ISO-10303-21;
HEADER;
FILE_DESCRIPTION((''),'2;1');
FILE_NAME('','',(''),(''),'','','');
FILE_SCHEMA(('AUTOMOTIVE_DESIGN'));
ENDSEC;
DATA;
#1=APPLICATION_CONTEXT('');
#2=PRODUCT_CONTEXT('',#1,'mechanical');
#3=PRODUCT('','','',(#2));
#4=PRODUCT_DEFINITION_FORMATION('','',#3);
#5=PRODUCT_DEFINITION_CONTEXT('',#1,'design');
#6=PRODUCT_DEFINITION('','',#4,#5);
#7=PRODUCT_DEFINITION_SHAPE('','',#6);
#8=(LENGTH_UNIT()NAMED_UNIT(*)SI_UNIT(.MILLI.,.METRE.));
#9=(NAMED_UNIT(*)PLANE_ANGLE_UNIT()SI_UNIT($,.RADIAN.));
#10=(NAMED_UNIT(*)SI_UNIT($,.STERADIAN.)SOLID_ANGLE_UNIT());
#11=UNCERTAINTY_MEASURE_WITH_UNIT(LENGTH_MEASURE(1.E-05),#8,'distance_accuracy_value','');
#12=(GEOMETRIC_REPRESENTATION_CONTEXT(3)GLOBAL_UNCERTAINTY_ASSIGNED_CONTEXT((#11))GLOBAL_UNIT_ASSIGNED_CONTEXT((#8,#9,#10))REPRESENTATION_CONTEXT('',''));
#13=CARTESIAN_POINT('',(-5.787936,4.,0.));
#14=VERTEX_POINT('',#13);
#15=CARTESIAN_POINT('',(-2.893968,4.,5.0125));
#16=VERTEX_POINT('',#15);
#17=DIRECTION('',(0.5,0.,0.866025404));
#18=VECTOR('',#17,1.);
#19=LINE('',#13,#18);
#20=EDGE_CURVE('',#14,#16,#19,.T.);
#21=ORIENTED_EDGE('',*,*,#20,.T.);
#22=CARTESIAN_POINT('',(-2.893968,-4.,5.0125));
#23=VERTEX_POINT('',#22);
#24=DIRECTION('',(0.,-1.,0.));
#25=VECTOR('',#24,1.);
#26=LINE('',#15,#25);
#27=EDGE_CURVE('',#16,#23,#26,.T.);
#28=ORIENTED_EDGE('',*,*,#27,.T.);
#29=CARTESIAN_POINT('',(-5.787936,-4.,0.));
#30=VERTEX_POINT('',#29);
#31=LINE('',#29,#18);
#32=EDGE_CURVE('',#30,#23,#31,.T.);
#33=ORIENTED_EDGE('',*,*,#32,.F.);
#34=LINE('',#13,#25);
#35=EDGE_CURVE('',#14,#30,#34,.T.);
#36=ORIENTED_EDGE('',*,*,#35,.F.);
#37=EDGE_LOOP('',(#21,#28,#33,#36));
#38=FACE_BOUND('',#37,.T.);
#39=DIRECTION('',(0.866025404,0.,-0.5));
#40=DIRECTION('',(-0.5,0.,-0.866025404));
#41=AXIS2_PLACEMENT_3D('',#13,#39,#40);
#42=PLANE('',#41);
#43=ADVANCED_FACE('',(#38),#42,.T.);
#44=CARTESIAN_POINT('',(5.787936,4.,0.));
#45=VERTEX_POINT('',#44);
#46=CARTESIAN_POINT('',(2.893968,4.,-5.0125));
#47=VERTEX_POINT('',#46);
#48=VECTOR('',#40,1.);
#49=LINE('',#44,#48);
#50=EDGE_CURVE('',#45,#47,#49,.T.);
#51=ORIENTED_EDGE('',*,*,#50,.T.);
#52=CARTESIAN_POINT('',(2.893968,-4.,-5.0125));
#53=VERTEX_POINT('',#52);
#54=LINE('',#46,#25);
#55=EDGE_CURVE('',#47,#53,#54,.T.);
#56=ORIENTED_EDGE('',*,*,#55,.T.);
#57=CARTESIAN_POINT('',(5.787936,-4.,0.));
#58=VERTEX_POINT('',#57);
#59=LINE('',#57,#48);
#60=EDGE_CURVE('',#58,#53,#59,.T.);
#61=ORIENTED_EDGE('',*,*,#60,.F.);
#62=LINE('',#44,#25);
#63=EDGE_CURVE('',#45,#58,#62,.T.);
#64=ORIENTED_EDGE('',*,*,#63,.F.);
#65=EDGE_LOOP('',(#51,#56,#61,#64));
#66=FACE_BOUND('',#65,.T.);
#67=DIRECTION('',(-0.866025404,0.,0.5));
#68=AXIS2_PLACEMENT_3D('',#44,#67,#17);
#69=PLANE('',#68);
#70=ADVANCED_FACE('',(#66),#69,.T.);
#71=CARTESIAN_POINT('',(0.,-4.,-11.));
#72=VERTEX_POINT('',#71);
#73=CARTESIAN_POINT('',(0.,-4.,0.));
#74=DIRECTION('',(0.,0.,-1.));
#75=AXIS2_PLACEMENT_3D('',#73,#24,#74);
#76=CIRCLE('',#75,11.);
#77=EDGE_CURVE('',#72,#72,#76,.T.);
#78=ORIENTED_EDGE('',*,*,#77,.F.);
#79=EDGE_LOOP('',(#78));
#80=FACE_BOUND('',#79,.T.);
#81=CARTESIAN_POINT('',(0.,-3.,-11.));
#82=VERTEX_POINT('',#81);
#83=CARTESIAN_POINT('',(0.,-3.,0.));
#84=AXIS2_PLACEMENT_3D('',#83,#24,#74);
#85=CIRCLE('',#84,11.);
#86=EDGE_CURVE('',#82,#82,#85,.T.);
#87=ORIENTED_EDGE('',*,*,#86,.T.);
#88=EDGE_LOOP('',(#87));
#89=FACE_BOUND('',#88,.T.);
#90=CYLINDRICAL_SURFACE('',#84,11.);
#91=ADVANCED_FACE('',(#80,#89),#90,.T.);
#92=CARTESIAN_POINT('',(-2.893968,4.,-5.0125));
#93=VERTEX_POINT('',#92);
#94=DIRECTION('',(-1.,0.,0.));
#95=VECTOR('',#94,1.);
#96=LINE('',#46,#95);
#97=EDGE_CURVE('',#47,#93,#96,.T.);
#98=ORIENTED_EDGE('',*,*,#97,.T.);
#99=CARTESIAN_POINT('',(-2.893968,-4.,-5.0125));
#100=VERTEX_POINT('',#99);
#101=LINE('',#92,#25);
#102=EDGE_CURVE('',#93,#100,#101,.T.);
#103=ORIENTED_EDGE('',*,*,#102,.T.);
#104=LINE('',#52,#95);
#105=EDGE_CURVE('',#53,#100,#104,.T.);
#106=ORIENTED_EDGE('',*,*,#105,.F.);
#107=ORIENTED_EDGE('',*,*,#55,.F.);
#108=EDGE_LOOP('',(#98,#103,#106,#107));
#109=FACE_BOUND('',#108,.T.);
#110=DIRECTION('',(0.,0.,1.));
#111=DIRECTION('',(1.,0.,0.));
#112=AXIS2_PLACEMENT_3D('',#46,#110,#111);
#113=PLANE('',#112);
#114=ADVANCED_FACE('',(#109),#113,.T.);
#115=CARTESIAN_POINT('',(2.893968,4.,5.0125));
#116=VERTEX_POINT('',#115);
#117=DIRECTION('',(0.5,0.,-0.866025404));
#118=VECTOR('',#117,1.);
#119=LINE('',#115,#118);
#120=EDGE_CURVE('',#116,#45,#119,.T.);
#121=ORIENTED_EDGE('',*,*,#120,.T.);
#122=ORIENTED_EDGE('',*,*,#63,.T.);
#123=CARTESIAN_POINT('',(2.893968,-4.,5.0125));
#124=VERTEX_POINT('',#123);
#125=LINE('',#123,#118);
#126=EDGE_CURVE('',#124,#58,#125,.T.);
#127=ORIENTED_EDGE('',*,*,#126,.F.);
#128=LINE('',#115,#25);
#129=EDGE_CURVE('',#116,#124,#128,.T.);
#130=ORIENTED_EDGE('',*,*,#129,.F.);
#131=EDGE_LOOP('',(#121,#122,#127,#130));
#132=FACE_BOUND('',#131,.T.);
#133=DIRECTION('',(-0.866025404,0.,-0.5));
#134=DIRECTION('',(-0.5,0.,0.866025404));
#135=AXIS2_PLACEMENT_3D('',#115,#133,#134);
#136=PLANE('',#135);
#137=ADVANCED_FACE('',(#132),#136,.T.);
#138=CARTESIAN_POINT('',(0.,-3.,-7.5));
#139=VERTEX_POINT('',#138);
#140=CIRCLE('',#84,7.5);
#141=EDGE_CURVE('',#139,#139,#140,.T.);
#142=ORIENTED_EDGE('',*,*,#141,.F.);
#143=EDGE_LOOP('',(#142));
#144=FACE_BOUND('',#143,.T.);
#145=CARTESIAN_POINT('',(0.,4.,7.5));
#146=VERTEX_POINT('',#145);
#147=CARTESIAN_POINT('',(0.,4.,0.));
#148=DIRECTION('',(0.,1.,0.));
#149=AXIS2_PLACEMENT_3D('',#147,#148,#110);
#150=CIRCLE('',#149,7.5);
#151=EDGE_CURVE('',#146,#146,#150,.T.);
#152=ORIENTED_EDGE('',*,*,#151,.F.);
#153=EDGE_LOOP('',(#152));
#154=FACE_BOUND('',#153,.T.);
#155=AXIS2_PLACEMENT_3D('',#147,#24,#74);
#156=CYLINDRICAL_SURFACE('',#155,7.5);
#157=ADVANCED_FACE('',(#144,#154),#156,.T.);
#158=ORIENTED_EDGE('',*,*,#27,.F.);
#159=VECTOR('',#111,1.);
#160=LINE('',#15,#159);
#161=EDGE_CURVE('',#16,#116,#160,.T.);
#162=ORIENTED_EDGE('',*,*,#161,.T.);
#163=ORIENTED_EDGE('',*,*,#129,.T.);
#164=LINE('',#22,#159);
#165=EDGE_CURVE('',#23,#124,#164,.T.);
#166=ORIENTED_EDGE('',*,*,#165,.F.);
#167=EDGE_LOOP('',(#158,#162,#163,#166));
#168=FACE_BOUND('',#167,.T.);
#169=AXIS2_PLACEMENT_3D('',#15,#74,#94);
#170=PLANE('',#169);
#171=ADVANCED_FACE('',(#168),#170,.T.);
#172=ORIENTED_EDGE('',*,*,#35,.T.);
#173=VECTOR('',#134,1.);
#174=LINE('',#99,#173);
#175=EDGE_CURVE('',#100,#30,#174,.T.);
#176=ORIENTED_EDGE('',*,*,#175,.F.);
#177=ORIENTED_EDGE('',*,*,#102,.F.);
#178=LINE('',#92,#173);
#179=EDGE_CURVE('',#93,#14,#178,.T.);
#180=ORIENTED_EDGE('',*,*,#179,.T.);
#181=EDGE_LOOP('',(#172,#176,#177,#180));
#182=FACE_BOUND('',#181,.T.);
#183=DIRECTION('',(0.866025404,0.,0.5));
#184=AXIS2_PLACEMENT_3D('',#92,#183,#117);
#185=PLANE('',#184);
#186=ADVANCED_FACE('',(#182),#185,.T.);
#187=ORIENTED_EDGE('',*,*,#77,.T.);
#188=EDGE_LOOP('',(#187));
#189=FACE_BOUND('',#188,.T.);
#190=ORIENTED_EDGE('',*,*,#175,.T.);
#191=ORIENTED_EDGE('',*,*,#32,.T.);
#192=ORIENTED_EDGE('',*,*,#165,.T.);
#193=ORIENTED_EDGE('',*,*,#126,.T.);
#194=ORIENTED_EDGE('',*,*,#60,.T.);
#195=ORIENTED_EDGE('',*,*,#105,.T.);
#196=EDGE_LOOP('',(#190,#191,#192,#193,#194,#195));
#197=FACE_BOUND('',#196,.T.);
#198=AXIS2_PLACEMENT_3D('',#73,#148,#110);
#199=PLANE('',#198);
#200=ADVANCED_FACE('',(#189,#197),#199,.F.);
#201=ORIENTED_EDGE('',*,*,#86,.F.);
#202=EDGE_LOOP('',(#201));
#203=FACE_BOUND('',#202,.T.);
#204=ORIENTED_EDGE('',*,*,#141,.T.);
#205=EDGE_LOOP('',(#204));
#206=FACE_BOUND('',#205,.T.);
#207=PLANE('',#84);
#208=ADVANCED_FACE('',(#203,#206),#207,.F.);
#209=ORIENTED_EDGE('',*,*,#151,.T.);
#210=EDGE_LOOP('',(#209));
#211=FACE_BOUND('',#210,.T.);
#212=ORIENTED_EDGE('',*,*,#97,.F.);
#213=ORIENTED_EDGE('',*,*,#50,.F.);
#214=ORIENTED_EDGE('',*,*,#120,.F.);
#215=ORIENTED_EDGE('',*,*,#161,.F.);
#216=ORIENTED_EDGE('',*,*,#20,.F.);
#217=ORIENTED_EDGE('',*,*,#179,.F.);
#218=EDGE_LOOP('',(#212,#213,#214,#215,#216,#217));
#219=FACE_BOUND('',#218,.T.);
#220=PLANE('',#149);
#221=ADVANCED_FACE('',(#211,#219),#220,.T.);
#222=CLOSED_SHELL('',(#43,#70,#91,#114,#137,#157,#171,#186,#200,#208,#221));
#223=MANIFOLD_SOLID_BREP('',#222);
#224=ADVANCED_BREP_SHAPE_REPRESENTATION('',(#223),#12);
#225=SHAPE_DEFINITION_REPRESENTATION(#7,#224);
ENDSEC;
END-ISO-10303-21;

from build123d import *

# Parameters (mm, degrees)
SKETCH1_R           = 7.5
BOSS_EXTRUDE1_DEPTH = 4
BOSS_EXTRUDE2_START = -1
SKETCH2_R           = 11
SKETCH2_R_2         = 7.5
BOSS_EXTRUDE2_DEPTH = 1


with BuildPart() as part:
    # Sketch1 → Boss-Extrude1 (new, symmetric)
    with BuildSketch(Plane(origin=(0, 0, 0), x_dir=(1, 0, 0), z_dir=(0, 1, 0))):
        Circle(SKETCH1_R)
        Polygon((-2.893968224, -5.0125), (2.893968224, -5.0125), (5.787936449, 0), (2.893968224, 5.0125), (-2.893968224, 5.0125), (-5.787936449, 0), align=None, mode=Mode.SUBTRACT)
    extrude(amount=BOSS_EXTRUDE1_DEPTH, both=True)

    # Sketch2 → Boss-Extrude2 (add)
    with BuildSketch(Plane.XZ.offset(4).offset(BOSS_EXTRUDE2_START)):
        Circle(SKETCH2_R)
        Circle(SKETCH2_R_2, mode=Mode.SUBTRACT)
    extrude(amount=BOSS_EXTRUDE2_DEPTH)


solid = part.part
